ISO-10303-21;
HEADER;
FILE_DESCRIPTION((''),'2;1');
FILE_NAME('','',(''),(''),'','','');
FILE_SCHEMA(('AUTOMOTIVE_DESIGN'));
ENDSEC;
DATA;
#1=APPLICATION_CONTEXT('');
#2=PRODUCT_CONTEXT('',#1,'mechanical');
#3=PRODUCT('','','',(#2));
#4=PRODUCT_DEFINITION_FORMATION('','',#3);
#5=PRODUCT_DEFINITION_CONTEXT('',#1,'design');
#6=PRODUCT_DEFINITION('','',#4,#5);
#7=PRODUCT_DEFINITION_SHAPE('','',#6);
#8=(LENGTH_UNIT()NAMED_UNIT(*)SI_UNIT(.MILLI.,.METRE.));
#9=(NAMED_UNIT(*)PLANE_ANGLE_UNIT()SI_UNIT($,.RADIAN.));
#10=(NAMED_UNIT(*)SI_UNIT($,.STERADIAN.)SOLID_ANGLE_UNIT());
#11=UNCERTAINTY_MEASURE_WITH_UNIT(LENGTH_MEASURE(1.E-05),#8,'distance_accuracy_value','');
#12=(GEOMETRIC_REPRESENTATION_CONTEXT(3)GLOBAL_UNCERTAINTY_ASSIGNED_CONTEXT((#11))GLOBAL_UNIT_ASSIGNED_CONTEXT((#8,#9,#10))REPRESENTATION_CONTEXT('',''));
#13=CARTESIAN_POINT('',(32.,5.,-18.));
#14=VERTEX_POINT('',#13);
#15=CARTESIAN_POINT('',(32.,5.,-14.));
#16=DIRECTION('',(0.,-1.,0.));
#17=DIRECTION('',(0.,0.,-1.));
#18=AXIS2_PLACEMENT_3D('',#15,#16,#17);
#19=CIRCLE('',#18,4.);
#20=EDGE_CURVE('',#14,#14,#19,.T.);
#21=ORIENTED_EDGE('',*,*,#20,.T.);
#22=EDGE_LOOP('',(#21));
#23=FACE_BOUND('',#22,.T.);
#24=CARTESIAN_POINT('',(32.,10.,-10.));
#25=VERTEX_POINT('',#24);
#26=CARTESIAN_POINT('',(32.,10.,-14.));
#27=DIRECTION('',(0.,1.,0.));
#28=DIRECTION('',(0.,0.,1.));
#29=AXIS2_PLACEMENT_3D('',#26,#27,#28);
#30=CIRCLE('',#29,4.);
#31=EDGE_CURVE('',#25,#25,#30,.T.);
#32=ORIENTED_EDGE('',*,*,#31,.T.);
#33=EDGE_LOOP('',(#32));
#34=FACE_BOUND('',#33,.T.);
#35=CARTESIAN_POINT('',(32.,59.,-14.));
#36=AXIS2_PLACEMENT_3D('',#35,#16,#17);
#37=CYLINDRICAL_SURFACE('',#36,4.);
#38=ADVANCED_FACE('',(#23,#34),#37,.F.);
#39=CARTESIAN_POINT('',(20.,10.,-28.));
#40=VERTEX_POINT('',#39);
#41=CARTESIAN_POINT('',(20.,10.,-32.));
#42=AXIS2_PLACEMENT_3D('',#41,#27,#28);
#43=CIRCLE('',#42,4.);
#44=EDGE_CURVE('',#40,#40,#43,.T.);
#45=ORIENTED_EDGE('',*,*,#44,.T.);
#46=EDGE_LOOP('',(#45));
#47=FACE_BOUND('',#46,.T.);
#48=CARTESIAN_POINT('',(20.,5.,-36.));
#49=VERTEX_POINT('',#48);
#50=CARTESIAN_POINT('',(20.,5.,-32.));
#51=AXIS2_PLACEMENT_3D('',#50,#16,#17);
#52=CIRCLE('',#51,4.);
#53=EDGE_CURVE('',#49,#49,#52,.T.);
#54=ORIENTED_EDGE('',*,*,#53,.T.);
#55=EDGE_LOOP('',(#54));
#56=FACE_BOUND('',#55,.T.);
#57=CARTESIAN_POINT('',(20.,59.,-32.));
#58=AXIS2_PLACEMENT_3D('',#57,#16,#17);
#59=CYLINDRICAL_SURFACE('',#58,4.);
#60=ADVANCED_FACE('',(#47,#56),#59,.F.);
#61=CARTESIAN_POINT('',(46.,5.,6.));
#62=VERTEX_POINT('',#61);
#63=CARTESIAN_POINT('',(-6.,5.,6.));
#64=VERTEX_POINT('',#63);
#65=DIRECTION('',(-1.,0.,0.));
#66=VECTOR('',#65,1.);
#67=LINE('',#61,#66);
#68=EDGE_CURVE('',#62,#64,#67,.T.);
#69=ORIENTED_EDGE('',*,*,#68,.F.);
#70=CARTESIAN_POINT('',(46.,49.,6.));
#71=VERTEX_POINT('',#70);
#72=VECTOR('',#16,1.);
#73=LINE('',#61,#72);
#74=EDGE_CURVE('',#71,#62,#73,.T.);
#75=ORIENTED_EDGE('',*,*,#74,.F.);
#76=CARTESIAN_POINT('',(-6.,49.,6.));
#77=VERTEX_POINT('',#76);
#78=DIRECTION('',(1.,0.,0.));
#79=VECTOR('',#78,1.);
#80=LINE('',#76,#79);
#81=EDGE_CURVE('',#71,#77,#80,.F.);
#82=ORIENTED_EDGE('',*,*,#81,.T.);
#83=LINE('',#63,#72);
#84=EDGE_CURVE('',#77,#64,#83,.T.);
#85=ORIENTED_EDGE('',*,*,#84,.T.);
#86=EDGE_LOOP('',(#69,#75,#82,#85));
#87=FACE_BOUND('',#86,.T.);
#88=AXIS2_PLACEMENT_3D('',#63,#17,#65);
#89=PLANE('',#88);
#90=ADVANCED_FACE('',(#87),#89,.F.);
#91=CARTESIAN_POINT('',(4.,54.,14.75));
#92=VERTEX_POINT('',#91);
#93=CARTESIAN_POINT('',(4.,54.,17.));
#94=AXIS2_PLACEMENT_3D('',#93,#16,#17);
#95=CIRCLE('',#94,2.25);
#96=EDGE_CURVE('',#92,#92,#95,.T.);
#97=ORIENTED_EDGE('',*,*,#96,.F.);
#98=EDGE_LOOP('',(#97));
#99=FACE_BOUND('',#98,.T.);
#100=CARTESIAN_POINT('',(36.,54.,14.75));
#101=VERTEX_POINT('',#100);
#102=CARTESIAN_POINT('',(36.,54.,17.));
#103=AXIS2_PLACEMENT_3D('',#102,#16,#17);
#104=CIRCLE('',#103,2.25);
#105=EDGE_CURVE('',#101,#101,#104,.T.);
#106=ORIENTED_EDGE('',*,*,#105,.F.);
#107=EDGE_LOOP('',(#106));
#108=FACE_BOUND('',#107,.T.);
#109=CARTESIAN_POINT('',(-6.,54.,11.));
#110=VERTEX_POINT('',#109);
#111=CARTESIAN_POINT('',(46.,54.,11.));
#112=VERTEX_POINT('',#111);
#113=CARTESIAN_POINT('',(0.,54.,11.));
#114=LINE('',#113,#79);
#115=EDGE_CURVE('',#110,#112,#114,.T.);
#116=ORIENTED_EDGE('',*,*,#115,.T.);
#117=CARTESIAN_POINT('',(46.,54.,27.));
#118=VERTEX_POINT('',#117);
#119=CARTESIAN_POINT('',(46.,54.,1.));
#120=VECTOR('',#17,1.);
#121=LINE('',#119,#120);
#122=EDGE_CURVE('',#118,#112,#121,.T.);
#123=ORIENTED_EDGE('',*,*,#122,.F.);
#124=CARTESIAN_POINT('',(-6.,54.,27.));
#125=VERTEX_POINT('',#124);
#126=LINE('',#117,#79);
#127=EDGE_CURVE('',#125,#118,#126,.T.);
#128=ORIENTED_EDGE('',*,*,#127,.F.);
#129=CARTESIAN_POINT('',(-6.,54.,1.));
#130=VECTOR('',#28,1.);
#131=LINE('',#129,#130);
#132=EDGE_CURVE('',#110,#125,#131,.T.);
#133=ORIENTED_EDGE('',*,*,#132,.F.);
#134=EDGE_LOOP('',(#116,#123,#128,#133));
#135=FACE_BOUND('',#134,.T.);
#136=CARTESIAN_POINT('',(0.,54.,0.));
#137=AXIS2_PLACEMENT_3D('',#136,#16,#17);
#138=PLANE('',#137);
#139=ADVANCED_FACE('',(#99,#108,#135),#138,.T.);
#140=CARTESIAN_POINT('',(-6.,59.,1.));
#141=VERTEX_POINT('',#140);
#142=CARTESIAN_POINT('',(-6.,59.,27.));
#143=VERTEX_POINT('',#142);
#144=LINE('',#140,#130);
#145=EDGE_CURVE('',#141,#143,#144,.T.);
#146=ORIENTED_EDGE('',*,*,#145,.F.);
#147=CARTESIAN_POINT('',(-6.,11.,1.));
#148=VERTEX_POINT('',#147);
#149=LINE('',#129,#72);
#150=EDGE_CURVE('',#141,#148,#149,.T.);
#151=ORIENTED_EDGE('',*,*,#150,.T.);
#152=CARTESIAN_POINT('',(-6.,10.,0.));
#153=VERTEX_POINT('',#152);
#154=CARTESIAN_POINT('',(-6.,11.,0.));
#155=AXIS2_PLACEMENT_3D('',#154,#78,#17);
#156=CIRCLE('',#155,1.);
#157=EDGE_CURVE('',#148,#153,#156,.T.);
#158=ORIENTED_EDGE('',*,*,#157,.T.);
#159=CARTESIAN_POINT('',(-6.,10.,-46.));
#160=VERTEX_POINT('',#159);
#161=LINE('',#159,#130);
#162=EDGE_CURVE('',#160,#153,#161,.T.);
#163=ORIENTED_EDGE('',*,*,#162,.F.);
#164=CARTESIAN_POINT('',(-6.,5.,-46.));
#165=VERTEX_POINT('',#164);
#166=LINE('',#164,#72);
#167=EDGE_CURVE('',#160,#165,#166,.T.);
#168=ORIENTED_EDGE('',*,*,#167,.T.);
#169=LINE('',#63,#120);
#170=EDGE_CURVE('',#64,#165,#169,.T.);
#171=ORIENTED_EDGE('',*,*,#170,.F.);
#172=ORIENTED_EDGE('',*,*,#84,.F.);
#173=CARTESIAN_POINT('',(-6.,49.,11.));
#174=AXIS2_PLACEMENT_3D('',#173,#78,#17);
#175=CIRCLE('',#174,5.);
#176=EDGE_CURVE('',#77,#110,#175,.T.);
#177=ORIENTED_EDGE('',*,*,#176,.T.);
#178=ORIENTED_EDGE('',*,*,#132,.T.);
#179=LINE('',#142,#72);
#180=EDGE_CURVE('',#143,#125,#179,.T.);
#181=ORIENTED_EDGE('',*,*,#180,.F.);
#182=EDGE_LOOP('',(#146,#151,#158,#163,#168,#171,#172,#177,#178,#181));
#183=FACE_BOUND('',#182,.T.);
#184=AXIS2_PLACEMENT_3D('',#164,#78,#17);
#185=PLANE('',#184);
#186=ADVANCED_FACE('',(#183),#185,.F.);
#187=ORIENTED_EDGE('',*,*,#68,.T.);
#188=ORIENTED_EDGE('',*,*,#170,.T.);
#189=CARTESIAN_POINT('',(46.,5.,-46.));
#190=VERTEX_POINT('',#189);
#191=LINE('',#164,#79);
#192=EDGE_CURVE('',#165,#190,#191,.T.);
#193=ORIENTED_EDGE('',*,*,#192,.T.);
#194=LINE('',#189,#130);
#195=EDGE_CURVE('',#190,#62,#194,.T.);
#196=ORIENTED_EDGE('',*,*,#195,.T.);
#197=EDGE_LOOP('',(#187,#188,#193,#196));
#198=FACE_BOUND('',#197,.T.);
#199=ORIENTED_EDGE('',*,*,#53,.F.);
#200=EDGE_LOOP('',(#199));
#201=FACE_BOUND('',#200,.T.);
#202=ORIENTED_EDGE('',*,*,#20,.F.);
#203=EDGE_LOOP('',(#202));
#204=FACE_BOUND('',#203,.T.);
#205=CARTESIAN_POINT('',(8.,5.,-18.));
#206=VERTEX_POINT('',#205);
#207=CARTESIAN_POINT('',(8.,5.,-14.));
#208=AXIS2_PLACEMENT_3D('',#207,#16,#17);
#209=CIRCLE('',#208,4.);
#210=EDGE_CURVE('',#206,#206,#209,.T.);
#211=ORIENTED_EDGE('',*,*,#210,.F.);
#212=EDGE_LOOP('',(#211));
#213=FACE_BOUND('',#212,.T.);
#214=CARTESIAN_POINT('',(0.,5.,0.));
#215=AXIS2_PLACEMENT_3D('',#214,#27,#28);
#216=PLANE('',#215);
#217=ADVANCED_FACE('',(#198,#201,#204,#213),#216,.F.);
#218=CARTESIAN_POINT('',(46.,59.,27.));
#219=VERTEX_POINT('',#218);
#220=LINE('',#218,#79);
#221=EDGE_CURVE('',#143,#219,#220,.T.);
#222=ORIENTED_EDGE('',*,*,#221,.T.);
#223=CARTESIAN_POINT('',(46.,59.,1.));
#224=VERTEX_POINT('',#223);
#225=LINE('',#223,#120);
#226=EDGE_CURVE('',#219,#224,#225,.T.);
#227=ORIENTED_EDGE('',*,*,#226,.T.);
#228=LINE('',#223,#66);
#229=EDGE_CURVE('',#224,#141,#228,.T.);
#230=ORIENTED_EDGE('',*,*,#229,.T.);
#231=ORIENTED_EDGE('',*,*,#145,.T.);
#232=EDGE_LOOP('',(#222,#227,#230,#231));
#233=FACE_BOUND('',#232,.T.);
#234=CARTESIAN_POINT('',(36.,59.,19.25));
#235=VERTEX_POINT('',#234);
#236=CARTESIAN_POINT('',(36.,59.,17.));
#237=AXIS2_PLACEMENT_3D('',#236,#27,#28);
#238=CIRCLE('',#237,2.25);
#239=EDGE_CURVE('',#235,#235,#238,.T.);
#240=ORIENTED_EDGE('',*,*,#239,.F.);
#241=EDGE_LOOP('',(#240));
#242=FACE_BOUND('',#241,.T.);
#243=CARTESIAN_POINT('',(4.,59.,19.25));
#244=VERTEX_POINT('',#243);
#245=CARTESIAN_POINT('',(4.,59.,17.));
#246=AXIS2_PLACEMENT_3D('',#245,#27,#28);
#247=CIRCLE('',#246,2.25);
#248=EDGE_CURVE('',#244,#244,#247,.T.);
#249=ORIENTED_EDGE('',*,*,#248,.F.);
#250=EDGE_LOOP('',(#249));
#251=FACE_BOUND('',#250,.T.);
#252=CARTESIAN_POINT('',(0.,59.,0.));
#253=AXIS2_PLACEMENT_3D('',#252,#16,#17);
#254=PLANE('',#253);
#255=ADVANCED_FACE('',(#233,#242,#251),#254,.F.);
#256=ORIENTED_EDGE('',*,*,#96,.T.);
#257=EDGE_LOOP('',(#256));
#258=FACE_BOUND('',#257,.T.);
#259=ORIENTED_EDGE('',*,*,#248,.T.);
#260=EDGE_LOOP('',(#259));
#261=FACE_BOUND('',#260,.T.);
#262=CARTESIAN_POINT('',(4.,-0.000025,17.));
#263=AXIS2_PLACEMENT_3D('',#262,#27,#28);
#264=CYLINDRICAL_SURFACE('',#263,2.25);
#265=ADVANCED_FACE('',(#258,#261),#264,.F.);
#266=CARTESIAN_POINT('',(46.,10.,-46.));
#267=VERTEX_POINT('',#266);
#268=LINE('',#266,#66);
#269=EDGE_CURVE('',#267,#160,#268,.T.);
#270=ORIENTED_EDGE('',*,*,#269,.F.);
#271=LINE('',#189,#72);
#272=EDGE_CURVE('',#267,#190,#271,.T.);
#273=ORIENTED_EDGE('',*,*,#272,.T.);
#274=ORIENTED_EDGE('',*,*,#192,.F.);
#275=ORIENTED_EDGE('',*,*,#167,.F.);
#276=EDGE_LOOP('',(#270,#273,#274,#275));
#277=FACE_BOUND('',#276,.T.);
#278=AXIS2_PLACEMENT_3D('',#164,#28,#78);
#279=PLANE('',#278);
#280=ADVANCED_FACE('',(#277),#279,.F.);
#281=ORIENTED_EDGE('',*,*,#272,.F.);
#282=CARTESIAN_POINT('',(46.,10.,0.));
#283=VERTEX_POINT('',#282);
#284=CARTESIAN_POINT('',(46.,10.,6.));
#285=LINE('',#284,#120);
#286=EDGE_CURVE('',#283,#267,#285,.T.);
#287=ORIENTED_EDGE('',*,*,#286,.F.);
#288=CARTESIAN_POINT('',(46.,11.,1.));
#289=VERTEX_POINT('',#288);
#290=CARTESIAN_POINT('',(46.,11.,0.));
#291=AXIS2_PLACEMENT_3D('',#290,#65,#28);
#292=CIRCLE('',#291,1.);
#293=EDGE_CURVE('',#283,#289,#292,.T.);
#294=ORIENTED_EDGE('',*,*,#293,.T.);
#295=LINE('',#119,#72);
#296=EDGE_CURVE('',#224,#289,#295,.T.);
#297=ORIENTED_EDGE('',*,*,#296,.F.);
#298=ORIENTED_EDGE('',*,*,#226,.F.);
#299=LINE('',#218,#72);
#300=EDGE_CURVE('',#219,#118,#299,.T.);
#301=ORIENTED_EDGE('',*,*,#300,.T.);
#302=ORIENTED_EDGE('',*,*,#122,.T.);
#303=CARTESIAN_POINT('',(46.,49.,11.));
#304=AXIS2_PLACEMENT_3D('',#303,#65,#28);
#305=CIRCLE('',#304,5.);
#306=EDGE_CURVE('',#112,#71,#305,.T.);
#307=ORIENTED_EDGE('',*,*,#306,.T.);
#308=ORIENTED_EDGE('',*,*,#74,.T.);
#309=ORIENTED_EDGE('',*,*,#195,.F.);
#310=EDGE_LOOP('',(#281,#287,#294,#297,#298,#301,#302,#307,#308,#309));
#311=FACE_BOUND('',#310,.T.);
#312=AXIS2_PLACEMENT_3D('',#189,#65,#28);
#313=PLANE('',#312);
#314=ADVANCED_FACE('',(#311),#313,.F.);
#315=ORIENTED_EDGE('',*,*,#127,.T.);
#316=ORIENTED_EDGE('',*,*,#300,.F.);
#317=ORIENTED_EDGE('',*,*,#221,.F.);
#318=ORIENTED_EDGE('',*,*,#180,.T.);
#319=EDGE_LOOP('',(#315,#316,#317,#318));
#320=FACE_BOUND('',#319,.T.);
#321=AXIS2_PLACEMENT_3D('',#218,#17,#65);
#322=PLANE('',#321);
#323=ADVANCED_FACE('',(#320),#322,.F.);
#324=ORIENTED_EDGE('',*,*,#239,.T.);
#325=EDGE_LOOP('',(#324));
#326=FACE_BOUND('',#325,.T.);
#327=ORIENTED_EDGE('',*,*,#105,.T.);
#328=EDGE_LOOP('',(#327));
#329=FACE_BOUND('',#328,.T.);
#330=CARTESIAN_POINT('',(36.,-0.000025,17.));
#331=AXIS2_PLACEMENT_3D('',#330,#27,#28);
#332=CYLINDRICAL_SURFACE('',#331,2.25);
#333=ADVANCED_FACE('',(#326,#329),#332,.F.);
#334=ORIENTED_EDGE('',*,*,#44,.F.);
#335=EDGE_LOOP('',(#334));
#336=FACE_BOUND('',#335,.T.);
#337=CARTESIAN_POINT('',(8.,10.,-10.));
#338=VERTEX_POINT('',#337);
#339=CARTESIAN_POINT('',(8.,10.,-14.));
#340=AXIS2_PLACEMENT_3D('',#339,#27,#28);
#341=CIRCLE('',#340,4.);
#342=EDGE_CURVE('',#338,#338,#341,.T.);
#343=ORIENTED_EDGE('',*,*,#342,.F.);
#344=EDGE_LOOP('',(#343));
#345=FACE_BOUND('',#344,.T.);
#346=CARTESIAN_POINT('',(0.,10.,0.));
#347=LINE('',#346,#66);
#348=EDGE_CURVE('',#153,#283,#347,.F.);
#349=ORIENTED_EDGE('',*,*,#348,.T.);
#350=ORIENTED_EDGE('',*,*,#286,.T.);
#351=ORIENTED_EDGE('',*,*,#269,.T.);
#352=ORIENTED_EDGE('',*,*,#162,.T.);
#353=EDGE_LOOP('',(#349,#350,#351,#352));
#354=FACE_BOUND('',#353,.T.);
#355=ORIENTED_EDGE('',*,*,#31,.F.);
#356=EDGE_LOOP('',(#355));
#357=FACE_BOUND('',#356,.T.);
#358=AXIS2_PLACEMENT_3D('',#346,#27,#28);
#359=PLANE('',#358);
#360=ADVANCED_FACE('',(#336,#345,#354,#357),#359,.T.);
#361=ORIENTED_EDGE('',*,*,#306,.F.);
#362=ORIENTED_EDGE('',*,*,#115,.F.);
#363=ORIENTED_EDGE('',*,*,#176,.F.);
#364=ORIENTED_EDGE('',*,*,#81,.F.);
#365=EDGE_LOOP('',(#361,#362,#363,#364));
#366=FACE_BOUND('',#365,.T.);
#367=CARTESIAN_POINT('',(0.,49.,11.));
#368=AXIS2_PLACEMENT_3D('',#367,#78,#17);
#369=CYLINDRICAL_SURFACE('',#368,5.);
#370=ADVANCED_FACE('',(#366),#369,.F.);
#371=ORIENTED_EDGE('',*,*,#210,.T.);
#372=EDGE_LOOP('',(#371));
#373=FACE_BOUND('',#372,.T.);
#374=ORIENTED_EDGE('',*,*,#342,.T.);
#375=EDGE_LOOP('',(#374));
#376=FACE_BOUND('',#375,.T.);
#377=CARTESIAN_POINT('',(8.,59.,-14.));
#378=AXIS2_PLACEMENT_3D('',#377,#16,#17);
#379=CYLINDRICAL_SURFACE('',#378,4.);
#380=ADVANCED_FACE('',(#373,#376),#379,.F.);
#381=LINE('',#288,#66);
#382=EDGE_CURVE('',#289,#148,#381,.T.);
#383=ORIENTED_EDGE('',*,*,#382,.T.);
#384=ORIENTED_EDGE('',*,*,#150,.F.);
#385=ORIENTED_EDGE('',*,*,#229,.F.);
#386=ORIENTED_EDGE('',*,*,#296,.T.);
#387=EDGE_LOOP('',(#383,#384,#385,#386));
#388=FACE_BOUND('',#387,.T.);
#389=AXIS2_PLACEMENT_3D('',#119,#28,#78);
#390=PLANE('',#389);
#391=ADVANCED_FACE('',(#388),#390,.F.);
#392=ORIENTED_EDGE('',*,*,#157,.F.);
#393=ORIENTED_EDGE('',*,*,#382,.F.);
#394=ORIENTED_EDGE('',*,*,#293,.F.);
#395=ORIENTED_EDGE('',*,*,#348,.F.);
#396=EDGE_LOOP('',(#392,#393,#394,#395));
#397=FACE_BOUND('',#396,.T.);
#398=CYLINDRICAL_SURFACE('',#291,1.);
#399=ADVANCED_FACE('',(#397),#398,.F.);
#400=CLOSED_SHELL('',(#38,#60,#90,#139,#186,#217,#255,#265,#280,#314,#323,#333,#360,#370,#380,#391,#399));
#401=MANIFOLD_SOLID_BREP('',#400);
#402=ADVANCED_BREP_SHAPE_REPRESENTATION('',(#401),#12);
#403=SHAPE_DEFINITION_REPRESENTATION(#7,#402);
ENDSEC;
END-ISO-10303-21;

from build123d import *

# Parameters (mm, degrees)
SKETCH1_W           = 52
SKETCH1_H           = 52
SKETCH1_W_2         = 42
SKETCH1_H_2         = 42
BOSS_EXTRUDE1_DEPTH = 5
SKETCH2_W           = 52
SKETCH2_H           = 52
BOSS_EXTRUDE2_DEPTH = 5
SKETCH3_W           = 52
SKETCH3_H           = 5
BOSS_EXTRUDE3_DEPTH = 44
SKETCH4_W           = 52
SKETCH4_H           = 26
BOSS_EXTRUDE4_DEPTH = 5
SKETCH5_R           = 2.25
CUT_EXTRUDE1_DEPTH  = 60
FILLET1_R           = 5
FILLET2_R           = 1
SKETCH7_R           = 4
CUT_EXTRUDE2_DEPTH  = 55
SKETCH8_W           = 52
SKETCH8_H           = 52
SKETCH8_W_2         = 42
SKETCH8_H_2         = 42
CUT_EXTRUDE3_DEPTH  = 5


with BuildPart() as part:
    # Sketch1 → Boss-Extrude1 (new body)
    with BuildSketch(Plane(origin=(0, 0, 0), x_dir=(1, 0, 0), z_dir=(0, 1, 0))):
        with Locations((20, 20)):
            Rectangle(SKETCH1_W, SKETCH1_H)
        with Locations((20, 20)):
            Rectangle(SKETCH1_W_2, SKETCH1_H_2, mode=Mode.SUBTRACT)
    extrude(amount=BOSS_EXTRUDE1_DEPTH)

    # Sketch2 → Boss-Extrude2 (add)
    with BuildSketch(Plane(origin=(0, 5, 0), x_dir=(1, 0, 0), z_dir=(0, 1, 0))):
        with Locations((20, 20)):
            Rectangle(SKETCH2_W, SKETCH2_H)
    extrude(amount=BOSS_EXTRUDE2_DEPTH)

    # Sketch3 → Boss-Extrude3 (add)
    with BuildSketch(Plane(origin=(0, 10, 0), x_dir=(1, 0, 0), z_dir=(0, 1, 0))):
        with Locations((20, -3.5)):
            Rectangle(SKETCH3_W, SKETCH3_H)
    extrude(amount=BOSS_EXTRUDE3_DEPTH)

    # Sketch4 → Boss-Extrude4 (add)
    with BuildSketch(Plane(origin=(0, 54, 0), x_dir=(1, 0, 0), z_dir=(0, 1, 0))):
        with Locations((20, -14)):
            Rectangle(SKETCH4_W, SKETCH4_H)
    extrude(amount=BOSS_EXTRUDE4_DEPTH)

    # Sketch5 → Cut-Extrude1 (cut, through all)
    with BuildSketch(Plane(origin=(0, 59, 0), x_dir=(1, 0, 0), z_dir=(0, 1, 0))):
        with Locations((36, -17)):
            Circle(SKETCH5_R)
        with Locations((4, -17)):
            Circle(SKETCH5_R)
    extrude(amount=-CUT_EXTRUDE1_DEPTH, mode=Mode.SUBTRACT)

    # Fillet1
    fillet1_edges = [part.edges().sort_by_distance(p)[0] for p in [
        (20, 54, 6),
    ]]
    fillet(fillet1_edges, radius=FILLET1_R)

    # Fillet2
    fillet2_edges = [part.edges().sort_by_distance(p)[0] for p in [
        (20, 10, 1),
    ]]
    fillet(fillet2_edges, radius=FILLET2_R)

    # Sketch7 → Cut-Extrude2 (cut, through all)
    with BuildSketch(Plane.XZ.offset(-5)):
        with Locations((20, -32)):
            Circle(SKETCH7_R)
        with Locations((32, -14)):
            Circle(SKETCH7_R)
        with Locations((8, -14)):
            Circle(SKETCH7_R)
    extrude(amount=-CUT_EXTRUDE2_DEPTH, mode=Mode.SUBTRACT)

    # Sketch8 → Cut-Extrude3 (cut)
    with BuildSketch(Plane.XZ):
        with Locations((20, -20)):
            Rectangle(SKETCH8_W, SKETCH8_H)
        with Locations((20, -20)):
            Rectangle(SKETCH8_W_2, SKETCH8_H_2, mode=Mode.SUBTRACT)
    extrude(amount=-CUT_EXTRUDE3_DEPTH, mode=Mode.SUBTRACT)


solid = part.part
